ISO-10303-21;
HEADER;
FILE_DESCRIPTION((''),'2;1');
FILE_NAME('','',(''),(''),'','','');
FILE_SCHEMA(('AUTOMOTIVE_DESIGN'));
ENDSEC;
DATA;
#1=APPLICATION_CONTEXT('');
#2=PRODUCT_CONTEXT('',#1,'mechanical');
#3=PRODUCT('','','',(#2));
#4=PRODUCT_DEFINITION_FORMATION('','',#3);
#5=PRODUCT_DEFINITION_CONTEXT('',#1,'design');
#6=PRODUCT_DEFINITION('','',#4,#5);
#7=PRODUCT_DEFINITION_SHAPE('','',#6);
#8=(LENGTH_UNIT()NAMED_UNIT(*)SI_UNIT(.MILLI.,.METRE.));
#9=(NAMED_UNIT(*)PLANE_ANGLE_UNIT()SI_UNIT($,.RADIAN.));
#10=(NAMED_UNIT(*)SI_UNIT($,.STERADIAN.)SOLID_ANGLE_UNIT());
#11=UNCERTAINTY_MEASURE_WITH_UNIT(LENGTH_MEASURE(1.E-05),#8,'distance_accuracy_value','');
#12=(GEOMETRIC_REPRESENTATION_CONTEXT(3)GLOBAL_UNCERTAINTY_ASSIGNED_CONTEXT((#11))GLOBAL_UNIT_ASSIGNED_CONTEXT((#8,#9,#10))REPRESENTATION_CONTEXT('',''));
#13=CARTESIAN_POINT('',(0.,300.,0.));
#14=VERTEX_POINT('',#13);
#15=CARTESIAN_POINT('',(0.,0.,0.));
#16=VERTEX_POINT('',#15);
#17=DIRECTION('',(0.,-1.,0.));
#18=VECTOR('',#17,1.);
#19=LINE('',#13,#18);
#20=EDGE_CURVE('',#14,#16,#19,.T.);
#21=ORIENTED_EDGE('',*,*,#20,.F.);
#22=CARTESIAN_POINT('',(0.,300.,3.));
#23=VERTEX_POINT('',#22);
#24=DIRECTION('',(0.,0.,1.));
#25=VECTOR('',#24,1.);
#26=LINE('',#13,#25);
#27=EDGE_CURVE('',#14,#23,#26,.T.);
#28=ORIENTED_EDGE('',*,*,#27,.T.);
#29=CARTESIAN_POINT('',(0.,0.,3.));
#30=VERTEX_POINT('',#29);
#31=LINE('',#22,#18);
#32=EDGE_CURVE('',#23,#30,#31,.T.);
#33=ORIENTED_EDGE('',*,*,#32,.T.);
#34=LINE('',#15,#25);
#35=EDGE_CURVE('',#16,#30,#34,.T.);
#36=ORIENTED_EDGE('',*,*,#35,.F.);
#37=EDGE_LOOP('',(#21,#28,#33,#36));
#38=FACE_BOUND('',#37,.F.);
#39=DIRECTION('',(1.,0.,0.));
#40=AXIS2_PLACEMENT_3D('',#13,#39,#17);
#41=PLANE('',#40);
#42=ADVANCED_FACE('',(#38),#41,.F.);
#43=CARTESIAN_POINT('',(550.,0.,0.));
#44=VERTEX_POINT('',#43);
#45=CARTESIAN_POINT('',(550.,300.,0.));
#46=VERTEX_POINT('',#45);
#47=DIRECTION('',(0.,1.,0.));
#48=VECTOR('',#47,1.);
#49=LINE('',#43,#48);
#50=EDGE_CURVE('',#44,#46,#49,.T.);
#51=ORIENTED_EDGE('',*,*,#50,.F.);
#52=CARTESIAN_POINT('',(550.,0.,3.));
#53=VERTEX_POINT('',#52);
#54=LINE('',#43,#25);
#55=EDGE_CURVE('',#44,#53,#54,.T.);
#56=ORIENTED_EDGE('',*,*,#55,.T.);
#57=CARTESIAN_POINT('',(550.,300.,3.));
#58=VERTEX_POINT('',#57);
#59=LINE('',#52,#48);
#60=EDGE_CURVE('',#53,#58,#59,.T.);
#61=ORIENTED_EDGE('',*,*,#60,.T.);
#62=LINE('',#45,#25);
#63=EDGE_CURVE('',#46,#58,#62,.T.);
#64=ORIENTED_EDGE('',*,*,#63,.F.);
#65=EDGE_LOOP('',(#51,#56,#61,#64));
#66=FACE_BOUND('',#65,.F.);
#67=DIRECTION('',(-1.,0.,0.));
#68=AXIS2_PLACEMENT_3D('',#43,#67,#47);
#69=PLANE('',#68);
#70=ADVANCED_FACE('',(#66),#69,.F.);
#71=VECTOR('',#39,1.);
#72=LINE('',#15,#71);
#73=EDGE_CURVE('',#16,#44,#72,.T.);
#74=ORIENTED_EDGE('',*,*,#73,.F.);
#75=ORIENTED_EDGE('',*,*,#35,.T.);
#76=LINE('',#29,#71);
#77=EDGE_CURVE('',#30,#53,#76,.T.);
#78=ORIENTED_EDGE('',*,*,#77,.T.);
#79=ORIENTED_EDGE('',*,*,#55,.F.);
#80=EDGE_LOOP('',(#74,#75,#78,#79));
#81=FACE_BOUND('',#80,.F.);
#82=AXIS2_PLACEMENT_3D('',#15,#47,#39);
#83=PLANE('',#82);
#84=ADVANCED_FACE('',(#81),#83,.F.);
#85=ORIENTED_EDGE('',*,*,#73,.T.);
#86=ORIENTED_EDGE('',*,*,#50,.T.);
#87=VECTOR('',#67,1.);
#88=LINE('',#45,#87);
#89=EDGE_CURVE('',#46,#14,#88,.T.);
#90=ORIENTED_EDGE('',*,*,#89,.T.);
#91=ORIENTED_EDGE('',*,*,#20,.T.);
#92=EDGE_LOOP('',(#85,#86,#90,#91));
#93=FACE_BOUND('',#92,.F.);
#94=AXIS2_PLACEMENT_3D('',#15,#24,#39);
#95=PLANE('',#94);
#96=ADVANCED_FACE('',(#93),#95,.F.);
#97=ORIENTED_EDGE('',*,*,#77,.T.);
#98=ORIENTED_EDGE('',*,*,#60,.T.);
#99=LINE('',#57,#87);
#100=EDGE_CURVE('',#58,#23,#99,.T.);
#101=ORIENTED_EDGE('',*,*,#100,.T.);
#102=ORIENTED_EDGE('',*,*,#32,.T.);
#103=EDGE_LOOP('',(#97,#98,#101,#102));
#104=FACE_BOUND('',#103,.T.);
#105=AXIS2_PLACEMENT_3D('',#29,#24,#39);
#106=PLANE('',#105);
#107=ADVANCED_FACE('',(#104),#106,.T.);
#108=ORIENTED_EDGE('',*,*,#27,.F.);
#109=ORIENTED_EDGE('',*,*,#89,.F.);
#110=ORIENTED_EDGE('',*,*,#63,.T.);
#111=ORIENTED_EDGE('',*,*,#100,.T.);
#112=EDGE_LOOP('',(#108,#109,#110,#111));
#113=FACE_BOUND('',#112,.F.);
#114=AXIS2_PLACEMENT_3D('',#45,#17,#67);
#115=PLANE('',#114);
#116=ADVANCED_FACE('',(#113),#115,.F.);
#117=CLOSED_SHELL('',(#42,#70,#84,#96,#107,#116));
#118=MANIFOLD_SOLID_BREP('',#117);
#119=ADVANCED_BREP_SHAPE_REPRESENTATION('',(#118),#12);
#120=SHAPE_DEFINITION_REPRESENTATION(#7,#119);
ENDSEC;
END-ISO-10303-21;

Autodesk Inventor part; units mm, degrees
ref_plane "YZ Plane" through (0, 0, 0) normal (1, 0, 0) x (0, 1, 0)
ref_plane "XZ Plane" through (0, 0, 0) normal (0, 1, 0) x (-1, 0, 0)
ref_plane "XY Plane" through (0, 0, 0) normal (0, 0, 1) x (1, 0, 0)
sketch "Sketch1" plane through (0, 0, 0) normal (0, 0, 1) x (1, 0, 0)
  line L0 (0, 0) -> (550, 0)
  line L1 (550, 0) -> (550, 300)
  line L2 (550, 300) -> (0, 300)
  line L3 (0, 300) -> (0, 0)
  dimension "d0" = 300
  dimension "d1" = 550
extrude "Extrusion1" add sketch "Sketch1" along normal blind 3
sketch "Sketch3" plane through (0, 0, 3) normal (0, 0, 1) x (1, 0, 0)
  line L0 (38, 275.818) -> (512, 275.818) construction
  line L1 (512, 275.818) -> (512, 24.1834) construction
  line L2 (512, 24.1834) -> (38, 24.1834) construction
  line L3 (38, 24.1834) -> (38, 275.818) construction
  line L4 (0, 300) -> (0, 0) projected
  line L5 (550, 0) -> (550, 300) projected
  line L6 (550, 300) -> (0, 300) projected
  line L7 (0, 0) -> (550, 0) projected
  dimension "d37" = 38
  dimension "d38" = 38
  dimension "d39" = 24.182
  dimension "d40" = 24.1834
decal "Decal2"
properties part number "Tabla_Instructivo"
